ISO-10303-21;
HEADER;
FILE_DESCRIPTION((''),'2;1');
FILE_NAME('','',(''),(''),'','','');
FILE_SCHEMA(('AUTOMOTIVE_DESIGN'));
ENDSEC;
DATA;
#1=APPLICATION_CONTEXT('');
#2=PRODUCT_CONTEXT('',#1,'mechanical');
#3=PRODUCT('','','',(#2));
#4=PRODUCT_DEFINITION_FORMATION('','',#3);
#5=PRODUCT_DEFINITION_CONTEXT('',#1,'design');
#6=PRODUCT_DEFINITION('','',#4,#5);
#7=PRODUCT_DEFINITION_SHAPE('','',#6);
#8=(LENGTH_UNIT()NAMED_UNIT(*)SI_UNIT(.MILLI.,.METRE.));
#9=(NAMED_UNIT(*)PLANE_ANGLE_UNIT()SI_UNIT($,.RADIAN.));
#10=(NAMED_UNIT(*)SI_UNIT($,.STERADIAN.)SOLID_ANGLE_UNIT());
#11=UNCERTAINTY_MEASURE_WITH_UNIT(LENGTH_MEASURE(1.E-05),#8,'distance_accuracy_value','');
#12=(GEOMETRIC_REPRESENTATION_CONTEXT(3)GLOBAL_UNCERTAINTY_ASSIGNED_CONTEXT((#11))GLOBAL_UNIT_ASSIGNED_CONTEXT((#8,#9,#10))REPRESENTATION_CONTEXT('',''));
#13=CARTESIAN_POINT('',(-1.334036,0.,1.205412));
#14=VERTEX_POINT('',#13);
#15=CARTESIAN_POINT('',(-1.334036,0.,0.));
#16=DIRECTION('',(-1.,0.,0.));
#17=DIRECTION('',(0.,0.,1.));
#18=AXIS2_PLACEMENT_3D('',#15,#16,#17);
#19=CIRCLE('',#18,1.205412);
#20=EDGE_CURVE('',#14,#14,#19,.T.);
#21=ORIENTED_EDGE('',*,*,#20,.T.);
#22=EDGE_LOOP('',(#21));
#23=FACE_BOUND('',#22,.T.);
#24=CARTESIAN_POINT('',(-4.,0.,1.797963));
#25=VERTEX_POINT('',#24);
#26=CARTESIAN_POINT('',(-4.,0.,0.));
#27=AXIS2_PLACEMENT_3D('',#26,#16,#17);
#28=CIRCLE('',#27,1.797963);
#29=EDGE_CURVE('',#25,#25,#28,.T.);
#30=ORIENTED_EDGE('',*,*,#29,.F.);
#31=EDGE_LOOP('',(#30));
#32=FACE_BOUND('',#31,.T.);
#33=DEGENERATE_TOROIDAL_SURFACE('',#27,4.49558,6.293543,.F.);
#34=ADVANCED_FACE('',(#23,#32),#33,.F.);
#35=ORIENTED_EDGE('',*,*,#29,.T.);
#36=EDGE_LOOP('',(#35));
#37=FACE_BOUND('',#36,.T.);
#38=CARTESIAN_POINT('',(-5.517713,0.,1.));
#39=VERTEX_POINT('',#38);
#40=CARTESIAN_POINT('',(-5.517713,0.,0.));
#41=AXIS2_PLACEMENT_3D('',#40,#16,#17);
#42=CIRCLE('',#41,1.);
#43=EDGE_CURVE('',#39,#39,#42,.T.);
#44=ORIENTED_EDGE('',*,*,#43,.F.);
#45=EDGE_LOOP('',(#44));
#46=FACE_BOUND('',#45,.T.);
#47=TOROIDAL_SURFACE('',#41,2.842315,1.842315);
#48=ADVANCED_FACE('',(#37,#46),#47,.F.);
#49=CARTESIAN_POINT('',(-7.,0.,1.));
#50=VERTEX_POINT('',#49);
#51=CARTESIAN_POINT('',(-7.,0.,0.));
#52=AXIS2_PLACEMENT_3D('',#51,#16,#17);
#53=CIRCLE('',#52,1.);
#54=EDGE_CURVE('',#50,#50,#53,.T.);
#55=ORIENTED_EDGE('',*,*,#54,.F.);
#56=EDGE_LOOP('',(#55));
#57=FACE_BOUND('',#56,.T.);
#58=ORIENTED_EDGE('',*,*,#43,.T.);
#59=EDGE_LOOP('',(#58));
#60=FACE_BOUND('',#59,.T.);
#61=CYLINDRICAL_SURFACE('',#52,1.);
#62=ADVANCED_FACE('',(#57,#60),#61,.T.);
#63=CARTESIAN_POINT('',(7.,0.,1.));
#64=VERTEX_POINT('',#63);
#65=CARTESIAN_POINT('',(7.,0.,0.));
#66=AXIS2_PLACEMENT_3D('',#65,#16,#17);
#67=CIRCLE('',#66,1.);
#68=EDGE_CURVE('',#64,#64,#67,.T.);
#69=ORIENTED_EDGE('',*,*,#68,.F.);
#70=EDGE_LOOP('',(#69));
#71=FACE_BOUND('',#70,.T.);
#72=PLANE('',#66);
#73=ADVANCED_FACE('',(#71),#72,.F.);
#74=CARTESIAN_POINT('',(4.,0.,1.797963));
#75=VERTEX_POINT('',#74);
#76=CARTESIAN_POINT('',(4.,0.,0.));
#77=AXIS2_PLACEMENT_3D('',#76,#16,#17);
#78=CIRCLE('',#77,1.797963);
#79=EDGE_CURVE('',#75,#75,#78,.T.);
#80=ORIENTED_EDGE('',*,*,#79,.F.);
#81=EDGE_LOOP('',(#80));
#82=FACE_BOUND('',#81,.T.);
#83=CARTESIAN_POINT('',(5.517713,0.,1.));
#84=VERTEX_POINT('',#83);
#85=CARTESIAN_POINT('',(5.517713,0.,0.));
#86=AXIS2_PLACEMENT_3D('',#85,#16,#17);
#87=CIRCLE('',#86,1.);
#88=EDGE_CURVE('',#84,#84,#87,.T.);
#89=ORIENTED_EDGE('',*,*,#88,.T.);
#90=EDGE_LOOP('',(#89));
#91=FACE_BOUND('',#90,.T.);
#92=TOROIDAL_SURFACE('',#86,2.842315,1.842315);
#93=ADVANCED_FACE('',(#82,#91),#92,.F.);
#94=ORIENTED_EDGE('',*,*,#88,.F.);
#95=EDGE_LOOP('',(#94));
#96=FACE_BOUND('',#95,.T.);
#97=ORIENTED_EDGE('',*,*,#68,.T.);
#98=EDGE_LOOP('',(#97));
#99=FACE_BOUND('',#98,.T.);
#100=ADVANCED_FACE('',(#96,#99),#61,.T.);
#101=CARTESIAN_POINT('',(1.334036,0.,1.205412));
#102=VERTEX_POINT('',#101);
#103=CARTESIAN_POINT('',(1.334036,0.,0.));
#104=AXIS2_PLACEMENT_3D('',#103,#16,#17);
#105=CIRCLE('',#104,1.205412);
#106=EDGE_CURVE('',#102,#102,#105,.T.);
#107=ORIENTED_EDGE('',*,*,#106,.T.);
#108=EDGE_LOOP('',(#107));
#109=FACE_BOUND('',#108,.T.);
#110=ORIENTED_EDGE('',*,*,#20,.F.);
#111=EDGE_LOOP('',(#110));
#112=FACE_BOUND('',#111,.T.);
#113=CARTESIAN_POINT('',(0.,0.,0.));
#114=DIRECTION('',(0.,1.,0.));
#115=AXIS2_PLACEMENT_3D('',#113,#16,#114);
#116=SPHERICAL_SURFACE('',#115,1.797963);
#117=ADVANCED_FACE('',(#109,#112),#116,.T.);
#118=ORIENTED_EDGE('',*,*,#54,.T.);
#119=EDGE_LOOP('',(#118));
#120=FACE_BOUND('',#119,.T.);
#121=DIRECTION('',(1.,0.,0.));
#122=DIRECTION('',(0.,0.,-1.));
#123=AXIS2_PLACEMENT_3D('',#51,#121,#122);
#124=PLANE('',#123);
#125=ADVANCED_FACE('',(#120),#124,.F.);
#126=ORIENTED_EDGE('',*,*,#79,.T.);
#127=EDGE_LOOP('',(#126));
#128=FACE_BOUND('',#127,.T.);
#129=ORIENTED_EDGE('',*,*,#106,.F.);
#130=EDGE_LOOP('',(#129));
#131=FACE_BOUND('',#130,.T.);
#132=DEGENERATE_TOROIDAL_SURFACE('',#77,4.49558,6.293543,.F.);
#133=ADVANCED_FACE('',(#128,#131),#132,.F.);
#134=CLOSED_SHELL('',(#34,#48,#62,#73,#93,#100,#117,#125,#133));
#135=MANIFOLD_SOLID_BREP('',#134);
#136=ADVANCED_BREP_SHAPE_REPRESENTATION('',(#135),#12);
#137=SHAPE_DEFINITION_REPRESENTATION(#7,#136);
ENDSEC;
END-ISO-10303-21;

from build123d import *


with BuildPart() as part:
    # Esquisse1 → Révolution1 (revolve)
    with BuildSketch(Plane.XY):
        with BuildLine():
            Line((-7, 0), (-7, 1))
            Line((-7, 1), (-5.51771325, 1))
            ThreePointArc((-5.51771325, 1), (-4.660362956, 1.211647907), (-4, 1.79796278))
            ThreePointArc((-4, 1.79796278), (-2.634488917, 1.648039478), (-1.334035601, 1.205412449))
            ThreePointArc((-1.334035601, 1.205412449), (0, 1.79796278), (1.334035601, 1.205412449))
            ThreePointArc((1.334035601, 1.205412449), (2.634488917, 1.648039478), (4, 1.79796278))
            ThreePointArc((4, 1.79796278), (4.660362956, 1.211647907), (5.51771325, 1))
            Line((5.51771325, 1), (7, 1))
            Line((7, 1), (7, 0))
            Line((7, 0), (-7, 0))
        make_face()
    revolve(axis=Axis((-7, 0, 0), (1, 0, 0)))


solid = part.part
